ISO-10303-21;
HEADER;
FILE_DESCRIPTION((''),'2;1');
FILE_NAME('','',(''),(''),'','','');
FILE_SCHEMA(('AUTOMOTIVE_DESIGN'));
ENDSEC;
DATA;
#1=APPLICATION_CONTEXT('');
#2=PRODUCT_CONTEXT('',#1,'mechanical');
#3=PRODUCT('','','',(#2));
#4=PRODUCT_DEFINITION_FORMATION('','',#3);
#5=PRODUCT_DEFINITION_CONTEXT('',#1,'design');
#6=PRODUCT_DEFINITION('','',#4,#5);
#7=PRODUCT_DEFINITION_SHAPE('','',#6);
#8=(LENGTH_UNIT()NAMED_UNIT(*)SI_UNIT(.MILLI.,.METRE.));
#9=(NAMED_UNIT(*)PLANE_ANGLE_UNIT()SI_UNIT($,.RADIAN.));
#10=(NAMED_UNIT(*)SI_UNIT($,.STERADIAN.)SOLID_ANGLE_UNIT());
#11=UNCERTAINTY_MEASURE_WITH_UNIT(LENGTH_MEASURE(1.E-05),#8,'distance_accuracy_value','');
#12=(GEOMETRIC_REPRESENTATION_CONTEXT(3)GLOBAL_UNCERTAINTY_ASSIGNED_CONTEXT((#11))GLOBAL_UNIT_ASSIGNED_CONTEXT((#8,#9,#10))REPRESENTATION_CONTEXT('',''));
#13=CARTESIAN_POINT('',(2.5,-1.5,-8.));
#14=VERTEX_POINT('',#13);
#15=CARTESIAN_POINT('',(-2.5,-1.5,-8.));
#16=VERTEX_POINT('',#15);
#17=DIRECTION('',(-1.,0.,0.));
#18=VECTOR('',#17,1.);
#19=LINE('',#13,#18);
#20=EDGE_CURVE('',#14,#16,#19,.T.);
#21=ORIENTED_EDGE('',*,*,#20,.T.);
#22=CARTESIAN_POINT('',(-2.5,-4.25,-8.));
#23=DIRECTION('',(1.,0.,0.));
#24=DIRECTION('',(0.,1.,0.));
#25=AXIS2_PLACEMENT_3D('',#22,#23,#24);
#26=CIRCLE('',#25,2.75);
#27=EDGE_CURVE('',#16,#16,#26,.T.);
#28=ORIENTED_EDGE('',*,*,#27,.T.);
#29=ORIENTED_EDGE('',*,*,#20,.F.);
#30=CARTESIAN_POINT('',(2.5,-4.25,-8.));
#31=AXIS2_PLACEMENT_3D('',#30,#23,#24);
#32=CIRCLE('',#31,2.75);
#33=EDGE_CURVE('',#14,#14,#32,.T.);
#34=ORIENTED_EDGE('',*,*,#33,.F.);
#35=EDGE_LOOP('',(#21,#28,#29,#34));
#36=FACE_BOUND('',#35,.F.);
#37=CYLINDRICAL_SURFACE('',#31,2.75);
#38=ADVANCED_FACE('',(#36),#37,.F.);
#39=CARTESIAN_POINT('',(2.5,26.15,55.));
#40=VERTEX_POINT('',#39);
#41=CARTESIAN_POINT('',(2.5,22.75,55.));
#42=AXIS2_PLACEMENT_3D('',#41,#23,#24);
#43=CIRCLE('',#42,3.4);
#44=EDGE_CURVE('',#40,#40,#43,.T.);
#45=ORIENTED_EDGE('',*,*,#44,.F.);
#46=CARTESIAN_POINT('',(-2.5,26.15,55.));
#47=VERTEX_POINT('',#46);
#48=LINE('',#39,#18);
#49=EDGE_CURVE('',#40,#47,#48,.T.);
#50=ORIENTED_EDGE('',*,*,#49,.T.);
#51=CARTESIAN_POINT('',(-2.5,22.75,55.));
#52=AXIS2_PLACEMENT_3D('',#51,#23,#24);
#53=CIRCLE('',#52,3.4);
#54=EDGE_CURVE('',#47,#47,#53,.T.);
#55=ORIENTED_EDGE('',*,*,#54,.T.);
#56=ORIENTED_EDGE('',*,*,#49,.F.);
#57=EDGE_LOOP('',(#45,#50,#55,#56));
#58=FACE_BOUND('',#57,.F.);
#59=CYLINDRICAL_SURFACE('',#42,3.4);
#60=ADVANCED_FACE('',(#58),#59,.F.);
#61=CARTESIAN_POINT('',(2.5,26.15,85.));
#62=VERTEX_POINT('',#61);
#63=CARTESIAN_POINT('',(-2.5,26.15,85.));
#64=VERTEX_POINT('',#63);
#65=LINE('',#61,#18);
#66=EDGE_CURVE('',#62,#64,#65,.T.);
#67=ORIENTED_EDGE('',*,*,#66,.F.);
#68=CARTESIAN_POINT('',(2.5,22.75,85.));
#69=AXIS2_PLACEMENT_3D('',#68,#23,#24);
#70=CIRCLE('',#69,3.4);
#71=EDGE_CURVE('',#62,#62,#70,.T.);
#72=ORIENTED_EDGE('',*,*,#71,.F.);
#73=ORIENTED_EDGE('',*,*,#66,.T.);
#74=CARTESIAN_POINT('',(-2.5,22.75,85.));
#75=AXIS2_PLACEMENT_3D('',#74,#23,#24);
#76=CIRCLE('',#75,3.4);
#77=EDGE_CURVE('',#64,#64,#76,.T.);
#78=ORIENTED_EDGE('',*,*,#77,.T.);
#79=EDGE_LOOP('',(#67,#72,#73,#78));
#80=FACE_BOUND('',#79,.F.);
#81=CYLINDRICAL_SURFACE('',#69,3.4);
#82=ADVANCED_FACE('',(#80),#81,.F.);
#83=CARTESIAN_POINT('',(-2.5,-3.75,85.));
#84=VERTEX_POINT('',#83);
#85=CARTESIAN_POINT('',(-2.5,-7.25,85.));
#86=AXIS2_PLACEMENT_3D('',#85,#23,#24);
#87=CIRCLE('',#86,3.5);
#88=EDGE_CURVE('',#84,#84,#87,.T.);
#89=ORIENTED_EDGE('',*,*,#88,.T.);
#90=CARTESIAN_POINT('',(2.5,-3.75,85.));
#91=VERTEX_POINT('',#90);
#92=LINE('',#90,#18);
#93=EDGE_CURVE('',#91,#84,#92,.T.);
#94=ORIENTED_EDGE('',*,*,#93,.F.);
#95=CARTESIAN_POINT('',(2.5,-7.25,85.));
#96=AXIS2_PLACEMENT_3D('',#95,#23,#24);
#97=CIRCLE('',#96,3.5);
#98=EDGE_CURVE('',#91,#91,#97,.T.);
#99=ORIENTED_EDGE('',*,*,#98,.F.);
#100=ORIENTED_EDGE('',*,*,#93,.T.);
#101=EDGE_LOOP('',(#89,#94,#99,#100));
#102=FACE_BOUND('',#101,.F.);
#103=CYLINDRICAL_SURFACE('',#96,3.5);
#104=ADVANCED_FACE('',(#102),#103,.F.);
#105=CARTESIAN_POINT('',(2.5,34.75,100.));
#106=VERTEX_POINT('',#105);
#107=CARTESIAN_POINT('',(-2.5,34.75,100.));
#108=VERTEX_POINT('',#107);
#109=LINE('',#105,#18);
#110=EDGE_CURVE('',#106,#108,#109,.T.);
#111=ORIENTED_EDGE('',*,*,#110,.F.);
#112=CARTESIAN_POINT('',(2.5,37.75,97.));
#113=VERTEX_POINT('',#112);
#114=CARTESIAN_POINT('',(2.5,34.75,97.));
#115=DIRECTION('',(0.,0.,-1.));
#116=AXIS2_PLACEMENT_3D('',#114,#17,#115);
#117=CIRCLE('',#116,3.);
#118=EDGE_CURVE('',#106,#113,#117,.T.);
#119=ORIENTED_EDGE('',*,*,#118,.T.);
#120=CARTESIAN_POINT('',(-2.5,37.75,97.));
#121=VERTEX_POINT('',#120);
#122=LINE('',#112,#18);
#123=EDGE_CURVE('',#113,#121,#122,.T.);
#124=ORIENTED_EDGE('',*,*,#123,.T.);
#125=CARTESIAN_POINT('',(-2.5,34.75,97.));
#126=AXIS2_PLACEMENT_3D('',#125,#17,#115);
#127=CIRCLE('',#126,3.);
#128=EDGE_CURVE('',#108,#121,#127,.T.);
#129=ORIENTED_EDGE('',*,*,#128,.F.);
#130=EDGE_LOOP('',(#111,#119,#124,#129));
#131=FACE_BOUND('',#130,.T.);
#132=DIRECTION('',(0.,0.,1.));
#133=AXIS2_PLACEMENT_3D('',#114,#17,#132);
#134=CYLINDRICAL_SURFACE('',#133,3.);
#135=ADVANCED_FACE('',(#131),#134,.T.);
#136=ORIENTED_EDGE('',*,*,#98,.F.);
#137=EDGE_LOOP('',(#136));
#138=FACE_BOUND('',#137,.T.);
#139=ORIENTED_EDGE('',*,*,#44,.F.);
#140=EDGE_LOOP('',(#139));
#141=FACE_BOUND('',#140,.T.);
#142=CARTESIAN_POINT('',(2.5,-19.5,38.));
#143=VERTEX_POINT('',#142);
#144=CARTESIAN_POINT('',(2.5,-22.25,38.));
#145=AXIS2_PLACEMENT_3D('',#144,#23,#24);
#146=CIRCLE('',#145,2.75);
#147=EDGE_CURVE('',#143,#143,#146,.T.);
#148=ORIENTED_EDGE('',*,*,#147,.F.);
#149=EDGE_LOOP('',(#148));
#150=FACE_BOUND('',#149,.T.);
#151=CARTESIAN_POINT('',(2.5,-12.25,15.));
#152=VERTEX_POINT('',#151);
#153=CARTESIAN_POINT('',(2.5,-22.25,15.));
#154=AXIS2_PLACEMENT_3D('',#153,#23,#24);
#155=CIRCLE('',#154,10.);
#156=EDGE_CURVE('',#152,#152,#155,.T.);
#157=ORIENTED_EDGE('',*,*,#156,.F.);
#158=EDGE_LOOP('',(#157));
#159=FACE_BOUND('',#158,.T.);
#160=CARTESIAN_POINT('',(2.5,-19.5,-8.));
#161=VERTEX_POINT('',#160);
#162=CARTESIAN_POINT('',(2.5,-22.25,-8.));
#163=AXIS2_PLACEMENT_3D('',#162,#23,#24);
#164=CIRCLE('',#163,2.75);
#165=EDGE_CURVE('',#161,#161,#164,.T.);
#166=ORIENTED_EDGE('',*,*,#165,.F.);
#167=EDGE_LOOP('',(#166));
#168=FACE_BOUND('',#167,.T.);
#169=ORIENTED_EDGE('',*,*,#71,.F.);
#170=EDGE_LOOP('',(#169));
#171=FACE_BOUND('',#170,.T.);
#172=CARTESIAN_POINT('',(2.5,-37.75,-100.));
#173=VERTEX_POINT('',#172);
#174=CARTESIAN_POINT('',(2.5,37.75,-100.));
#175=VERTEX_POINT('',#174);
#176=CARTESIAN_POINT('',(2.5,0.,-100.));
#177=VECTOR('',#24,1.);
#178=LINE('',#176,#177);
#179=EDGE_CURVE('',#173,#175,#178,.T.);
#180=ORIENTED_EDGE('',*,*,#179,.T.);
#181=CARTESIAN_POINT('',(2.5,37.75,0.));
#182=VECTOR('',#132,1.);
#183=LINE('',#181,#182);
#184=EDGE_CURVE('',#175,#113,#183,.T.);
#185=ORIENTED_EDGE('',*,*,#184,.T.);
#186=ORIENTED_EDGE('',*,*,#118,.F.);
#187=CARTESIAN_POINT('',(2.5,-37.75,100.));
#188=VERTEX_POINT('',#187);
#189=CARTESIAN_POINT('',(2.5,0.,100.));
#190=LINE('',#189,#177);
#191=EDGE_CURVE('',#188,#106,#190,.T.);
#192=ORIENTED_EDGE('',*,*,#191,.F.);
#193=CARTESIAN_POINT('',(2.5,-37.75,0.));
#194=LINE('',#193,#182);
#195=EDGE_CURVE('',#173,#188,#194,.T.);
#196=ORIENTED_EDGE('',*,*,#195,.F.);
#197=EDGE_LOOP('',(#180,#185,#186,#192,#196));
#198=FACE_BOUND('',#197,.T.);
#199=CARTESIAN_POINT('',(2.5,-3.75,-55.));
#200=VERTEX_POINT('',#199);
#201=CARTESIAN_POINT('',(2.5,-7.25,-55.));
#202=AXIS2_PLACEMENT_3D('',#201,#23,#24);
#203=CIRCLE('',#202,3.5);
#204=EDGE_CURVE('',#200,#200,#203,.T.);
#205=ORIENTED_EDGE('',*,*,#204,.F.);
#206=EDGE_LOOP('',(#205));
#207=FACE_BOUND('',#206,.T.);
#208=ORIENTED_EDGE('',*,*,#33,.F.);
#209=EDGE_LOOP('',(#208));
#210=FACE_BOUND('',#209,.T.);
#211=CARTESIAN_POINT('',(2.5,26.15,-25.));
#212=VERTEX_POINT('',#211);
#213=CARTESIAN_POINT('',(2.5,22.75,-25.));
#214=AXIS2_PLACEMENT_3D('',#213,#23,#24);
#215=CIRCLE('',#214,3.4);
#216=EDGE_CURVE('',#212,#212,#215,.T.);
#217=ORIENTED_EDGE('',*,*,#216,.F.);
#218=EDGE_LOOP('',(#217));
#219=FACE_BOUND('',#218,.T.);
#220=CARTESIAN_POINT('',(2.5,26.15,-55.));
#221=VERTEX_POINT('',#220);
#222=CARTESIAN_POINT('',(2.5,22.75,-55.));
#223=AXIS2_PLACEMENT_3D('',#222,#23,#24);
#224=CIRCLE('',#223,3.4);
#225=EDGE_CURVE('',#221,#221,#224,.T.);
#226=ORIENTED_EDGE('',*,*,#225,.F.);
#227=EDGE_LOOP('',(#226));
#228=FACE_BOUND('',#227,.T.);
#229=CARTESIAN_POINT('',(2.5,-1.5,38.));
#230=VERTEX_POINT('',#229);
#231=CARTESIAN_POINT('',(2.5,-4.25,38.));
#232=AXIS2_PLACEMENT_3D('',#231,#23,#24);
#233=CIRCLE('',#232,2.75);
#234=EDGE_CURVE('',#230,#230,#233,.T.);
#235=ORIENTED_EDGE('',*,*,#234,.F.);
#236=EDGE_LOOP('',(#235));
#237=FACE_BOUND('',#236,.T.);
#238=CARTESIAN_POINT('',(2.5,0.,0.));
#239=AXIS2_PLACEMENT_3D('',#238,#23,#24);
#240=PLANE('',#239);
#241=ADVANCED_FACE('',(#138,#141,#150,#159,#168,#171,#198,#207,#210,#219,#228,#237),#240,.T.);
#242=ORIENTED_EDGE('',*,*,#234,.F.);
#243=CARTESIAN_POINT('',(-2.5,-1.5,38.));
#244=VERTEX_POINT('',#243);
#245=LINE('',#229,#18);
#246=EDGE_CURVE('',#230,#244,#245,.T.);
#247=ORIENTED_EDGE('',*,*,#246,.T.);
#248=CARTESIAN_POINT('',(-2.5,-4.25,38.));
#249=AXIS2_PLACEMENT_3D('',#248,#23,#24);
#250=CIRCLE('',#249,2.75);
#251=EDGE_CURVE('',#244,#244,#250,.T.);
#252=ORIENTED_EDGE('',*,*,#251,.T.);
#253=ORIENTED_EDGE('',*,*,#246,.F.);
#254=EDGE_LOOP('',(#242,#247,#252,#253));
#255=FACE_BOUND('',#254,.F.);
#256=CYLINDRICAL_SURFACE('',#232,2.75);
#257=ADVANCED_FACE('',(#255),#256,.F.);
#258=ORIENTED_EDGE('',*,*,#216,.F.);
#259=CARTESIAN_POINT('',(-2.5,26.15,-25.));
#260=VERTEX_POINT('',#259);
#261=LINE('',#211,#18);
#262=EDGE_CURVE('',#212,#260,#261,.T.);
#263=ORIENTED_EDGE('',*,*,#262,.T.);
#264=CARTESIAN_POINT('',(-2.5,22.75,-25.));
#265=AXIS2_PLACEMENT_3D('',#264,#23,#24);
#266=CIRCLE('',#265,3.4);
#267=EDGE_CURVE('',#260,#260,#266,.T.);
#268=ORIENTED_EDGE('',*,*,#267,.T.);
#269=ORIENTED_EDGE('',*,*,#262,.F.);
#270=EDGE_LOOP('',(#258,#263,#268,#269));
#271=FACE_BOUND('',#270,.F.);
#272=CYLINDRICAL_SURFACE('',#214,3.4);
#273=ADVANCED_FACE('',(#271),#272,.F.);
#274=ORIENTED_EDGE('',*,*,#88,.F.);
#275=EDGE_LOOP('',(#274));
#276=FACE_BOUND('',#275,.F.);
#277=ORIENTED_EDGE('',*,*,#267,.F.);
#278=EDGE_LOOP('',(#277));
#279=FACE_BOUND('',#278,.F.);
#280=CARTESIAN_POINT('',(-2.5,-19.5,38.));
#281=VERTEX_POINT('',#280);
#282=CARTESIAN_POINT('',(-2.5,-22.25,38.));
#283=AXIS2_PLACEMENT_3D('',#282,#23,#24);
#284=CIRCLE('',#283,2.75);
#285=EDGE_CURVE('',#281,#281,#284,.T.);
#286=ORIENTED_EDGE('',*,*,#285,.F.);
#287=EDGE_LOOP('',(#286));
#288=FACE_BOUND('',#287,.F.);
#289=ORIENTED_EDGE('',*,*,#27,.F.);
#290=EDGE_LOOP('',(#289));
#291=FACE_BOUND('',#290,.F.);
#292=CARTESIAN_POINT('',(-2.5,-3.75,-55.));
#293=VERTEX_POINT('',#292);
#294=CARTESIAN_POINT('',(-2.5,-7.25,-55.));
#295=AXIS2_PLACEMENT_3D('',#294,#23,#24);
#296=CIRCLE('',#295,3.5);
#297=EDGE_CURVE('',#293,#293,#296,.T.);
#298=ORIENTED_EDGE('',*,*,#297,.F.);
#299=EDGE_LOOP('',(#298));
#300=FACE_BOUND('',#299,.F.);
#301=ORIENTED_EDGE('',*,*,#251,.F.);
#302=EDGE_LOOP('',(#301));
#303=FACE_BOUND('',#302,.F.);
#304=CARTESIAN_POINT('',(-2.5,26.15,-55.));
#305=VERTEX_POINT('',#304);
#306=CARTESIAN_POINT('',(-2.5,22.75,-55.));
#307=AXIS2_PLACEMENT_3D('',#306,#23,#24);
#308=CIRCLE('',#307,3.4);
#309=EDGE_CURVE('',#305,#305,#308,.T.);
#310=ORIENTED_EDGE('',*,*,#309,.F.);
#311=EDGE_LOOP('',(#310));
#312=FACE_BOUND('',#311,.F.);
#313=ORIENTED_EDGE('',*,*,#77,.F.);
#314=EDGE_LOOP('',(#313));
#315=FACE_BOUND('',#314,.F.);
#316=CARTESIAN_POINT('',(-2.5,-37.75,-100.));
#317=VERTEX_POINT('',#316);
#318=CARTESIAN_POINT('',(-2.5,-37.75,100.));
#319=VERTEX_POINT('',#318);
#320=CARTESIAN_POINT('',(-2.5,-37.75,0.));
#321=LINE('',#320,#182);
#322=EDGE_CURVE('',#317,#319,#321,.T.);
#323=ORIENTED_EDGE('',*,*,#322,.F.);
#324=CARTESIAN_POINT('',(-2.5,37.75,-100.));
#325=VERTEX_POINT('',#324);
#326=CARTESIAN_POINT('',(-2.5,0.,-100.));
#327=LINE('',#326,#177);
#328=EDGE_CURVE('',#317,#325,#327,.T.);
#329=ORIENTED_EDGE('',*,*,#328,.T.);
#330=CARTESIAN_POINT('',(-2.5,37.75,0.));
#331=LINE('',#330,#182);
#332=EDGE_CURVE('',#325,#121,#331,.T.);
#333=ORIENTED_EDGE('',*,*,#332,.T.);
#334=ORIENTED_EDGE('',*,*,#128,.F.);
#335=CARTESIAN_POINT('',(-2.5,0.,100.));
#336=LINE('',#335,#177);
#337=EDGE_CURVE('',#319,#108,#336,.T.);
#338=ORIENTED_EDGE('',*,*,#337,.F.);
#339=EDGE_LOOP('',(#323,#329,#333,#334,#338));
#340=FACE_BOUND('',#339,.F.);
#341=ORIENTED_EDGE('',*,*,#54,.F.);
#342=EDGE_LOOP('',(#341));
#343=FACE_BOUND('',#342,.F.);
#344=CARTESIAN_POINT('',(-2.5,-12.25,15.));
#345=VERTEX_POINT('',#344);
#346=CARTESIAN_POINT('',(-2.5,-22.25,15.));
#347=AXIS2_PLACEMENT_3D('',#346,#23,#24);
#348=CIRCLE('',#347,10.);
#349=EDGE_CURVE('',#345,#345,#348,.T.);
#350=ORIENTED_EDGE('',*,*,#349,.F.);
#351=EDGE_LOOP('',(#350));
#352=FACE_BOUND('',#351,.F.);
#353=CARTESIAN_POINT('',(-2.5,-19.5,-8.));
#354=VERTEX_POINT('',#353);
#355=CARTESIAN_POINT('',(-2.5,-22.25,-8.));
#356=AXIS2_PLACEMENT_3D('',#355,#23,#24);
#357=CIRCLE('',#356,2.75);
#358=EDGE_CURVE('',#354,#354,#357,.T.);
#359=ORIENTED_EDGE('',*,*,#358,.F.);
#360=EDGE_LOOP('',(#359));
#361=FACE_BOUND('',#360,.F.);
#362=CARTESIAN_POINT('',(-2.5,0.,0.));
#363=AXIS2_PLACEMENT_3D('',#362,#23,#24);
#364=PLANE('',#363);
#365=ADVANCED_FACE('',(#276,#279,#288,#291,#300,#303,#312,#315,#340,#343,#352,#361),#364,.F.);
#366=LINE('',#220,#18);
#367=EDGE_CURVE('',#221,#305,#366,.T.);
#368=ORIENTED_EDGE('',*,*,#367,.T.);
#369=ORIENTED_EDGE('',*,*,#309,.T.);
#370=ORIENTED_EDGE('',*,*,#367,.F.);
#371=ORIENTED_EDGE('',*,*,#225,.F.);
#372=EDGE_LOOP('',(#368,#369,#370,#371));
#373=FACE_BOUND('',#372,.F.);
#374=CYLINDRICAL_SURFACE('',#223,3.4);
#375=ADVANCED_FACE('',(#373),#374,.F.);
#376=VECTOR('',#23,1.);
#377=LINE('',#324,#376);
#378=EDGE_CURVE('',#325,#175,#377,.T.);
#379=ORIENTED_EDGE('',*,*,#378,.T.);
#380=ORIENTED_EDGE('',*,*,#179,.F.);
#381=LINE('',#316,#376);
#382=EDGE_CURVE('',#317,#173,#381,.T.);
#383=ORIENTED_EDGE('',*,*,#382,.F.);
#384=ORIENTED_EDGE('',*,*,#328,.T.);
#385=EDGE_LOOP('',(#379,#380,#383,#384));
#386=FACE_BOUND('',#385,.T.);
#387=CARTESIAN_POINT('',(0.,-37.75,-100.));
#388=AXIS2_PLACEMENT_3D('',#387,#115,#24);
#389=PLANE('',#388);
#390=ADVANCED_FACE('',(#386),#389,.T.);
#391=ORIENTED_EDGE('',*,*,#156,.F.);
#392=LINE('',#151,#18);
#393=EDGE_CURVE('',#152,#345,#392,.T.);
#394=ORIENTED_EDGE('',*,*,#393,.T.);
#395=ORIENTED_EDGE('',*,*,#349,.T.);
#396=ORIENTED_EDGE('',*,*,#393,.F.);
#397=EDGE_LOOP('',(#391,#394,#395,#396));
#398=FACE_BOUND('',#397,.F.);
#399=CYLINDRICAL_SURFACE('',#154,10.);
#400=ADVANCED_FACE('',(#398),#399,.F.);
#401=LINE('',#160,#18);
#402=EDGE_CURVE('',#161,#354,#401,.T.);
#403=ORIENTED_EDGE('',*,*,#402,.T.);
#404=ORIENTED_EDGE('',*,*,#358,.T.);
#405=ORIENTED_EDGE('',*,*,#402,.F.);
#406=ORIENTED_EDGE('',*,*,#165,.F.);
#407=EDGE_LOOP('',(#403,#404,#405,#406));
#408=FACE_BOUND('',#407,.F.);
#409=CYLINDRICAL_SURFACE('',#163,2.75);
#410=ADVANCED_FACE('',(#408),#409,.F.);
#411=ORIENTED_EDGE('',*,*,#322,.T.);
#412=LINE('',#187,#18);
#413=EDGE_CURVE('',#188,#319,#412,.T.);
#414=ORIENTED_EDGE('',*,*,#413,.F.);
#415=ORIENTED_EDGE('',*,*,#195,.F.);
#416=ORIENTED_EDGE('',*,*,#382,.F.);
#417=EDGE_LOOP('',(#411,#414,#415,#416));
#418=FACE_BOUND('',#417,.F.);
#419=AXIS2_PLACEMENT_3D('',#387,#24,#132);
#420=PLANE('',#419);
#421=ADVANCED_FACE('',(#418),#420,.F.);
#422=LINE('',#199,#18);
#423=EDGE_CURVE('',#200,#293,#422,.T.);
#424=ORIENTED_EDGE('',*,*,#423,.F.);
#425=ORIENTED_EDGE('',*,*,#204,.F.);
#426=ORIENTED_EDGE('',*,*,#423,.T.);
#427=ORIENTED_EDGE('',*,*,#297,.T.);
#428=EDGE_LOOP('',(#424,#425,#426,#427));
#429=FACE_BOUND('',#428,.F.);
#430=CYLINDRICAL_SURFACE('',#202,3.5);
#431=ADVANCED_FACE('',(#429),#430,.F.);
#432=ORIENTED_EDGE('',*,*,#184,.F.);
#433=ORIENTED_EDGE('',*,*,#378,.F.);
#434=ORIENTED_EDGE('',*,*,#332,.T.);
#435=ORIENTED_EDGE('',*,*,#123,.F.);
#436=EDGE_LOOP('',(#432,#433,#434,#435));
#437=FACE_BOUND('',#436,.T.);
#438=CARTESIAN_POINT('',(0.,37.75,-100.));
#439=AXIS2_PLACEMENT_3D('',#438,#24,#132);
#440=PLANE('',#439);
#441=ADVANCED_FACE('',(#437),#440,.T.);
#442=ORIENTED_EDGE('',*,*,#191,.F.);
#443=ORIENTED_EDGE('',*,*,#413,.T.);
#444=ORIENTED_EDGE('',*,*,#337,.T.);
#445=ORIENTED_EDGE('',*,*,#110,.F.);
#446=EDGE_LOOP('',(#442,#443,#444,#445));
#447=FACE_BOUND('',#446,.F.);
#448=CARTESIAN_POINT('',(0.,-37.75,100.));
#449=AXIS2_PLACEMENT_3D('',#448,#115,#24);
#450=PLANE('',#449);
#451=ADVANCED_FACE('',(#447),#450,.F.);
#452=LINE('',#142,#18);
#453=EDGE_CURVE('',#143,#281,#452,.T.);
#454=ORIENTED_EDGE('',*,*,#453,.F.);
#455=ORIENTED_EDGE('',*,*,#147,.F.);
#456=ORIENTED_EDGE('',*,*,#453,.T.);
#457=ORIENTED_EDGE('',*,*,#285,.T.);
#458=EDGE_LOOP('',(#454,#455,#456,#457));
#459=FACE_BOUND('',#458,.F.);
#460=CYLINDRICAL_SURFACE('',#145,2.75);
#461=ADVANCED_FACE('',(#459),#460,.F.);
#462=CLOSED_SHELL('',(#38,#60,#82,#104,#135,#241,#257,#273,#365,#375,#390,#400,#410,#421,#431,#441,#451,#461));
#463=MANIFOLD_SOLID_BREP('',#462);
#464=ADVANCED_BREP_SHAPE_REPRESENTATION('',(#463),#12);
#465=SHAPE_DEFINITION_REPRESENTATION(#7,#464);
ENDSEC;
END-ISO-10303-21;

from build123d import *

# Parameters (mm, degrees)
F0_W     = 75.5
F0_H     = 200
F1_DEPTH = 2.5
F2_R     = 3.4
F2_R_2   = 3.5
F2_R_3   = 10
F2_R_4   = 2.75
F3_DEPTH = 5
F4_R     = 3


with BuildPart() as f1:
    # F0 (on Right) → F1 (new body, symmetric)
    with BuildSketch(Plane.YZ):
        Rectangle(F0_W, F0_H)
    extrude(amount=F1_DEPTH, both=True)

    # F2 (on face) → F3 (cut)
    with BuildSketch(Plane.YZ.offset(2.5)):
        with Locations((22.75, 85)):
            Circle(F2_R)
        with Locations((22.75, 55)):
            Circle(F2_R)
        with Locations((22.75, -55)):
            Circle(F2_R)
        with Locations((22.75, -25)):
            Circle(F2_R)
        with Locations((-7.25, 85)):
            Circle(F2_R_2)
        with Locations((-7.25, -55)):
            Circle(F2_R_2)
        with Locations((-22.25, 15)):
            Circle(F2_R_3)
        with Locations((-22.25, 38)):
            Circle(F2_R_4)
        with Locations((-4.25, 38)):
            Circle(F2_R_4)
        with Locations((-22.25, -8)):
            Circle(F2_R_4)
        with Locations((-4.25, -8)):
            Circle(F2_R_4)
    extrude(amount=-F3_DEPTH, mode=Mode.SUBTRACT)

    # F4
    f4_edges = [f1.edges().sort_by_distance(p)[0] for p in [
        (0, 37.75, 100),
    ]]
    fillet(f4_edges, radius=F4_R)


solid = f1.part
